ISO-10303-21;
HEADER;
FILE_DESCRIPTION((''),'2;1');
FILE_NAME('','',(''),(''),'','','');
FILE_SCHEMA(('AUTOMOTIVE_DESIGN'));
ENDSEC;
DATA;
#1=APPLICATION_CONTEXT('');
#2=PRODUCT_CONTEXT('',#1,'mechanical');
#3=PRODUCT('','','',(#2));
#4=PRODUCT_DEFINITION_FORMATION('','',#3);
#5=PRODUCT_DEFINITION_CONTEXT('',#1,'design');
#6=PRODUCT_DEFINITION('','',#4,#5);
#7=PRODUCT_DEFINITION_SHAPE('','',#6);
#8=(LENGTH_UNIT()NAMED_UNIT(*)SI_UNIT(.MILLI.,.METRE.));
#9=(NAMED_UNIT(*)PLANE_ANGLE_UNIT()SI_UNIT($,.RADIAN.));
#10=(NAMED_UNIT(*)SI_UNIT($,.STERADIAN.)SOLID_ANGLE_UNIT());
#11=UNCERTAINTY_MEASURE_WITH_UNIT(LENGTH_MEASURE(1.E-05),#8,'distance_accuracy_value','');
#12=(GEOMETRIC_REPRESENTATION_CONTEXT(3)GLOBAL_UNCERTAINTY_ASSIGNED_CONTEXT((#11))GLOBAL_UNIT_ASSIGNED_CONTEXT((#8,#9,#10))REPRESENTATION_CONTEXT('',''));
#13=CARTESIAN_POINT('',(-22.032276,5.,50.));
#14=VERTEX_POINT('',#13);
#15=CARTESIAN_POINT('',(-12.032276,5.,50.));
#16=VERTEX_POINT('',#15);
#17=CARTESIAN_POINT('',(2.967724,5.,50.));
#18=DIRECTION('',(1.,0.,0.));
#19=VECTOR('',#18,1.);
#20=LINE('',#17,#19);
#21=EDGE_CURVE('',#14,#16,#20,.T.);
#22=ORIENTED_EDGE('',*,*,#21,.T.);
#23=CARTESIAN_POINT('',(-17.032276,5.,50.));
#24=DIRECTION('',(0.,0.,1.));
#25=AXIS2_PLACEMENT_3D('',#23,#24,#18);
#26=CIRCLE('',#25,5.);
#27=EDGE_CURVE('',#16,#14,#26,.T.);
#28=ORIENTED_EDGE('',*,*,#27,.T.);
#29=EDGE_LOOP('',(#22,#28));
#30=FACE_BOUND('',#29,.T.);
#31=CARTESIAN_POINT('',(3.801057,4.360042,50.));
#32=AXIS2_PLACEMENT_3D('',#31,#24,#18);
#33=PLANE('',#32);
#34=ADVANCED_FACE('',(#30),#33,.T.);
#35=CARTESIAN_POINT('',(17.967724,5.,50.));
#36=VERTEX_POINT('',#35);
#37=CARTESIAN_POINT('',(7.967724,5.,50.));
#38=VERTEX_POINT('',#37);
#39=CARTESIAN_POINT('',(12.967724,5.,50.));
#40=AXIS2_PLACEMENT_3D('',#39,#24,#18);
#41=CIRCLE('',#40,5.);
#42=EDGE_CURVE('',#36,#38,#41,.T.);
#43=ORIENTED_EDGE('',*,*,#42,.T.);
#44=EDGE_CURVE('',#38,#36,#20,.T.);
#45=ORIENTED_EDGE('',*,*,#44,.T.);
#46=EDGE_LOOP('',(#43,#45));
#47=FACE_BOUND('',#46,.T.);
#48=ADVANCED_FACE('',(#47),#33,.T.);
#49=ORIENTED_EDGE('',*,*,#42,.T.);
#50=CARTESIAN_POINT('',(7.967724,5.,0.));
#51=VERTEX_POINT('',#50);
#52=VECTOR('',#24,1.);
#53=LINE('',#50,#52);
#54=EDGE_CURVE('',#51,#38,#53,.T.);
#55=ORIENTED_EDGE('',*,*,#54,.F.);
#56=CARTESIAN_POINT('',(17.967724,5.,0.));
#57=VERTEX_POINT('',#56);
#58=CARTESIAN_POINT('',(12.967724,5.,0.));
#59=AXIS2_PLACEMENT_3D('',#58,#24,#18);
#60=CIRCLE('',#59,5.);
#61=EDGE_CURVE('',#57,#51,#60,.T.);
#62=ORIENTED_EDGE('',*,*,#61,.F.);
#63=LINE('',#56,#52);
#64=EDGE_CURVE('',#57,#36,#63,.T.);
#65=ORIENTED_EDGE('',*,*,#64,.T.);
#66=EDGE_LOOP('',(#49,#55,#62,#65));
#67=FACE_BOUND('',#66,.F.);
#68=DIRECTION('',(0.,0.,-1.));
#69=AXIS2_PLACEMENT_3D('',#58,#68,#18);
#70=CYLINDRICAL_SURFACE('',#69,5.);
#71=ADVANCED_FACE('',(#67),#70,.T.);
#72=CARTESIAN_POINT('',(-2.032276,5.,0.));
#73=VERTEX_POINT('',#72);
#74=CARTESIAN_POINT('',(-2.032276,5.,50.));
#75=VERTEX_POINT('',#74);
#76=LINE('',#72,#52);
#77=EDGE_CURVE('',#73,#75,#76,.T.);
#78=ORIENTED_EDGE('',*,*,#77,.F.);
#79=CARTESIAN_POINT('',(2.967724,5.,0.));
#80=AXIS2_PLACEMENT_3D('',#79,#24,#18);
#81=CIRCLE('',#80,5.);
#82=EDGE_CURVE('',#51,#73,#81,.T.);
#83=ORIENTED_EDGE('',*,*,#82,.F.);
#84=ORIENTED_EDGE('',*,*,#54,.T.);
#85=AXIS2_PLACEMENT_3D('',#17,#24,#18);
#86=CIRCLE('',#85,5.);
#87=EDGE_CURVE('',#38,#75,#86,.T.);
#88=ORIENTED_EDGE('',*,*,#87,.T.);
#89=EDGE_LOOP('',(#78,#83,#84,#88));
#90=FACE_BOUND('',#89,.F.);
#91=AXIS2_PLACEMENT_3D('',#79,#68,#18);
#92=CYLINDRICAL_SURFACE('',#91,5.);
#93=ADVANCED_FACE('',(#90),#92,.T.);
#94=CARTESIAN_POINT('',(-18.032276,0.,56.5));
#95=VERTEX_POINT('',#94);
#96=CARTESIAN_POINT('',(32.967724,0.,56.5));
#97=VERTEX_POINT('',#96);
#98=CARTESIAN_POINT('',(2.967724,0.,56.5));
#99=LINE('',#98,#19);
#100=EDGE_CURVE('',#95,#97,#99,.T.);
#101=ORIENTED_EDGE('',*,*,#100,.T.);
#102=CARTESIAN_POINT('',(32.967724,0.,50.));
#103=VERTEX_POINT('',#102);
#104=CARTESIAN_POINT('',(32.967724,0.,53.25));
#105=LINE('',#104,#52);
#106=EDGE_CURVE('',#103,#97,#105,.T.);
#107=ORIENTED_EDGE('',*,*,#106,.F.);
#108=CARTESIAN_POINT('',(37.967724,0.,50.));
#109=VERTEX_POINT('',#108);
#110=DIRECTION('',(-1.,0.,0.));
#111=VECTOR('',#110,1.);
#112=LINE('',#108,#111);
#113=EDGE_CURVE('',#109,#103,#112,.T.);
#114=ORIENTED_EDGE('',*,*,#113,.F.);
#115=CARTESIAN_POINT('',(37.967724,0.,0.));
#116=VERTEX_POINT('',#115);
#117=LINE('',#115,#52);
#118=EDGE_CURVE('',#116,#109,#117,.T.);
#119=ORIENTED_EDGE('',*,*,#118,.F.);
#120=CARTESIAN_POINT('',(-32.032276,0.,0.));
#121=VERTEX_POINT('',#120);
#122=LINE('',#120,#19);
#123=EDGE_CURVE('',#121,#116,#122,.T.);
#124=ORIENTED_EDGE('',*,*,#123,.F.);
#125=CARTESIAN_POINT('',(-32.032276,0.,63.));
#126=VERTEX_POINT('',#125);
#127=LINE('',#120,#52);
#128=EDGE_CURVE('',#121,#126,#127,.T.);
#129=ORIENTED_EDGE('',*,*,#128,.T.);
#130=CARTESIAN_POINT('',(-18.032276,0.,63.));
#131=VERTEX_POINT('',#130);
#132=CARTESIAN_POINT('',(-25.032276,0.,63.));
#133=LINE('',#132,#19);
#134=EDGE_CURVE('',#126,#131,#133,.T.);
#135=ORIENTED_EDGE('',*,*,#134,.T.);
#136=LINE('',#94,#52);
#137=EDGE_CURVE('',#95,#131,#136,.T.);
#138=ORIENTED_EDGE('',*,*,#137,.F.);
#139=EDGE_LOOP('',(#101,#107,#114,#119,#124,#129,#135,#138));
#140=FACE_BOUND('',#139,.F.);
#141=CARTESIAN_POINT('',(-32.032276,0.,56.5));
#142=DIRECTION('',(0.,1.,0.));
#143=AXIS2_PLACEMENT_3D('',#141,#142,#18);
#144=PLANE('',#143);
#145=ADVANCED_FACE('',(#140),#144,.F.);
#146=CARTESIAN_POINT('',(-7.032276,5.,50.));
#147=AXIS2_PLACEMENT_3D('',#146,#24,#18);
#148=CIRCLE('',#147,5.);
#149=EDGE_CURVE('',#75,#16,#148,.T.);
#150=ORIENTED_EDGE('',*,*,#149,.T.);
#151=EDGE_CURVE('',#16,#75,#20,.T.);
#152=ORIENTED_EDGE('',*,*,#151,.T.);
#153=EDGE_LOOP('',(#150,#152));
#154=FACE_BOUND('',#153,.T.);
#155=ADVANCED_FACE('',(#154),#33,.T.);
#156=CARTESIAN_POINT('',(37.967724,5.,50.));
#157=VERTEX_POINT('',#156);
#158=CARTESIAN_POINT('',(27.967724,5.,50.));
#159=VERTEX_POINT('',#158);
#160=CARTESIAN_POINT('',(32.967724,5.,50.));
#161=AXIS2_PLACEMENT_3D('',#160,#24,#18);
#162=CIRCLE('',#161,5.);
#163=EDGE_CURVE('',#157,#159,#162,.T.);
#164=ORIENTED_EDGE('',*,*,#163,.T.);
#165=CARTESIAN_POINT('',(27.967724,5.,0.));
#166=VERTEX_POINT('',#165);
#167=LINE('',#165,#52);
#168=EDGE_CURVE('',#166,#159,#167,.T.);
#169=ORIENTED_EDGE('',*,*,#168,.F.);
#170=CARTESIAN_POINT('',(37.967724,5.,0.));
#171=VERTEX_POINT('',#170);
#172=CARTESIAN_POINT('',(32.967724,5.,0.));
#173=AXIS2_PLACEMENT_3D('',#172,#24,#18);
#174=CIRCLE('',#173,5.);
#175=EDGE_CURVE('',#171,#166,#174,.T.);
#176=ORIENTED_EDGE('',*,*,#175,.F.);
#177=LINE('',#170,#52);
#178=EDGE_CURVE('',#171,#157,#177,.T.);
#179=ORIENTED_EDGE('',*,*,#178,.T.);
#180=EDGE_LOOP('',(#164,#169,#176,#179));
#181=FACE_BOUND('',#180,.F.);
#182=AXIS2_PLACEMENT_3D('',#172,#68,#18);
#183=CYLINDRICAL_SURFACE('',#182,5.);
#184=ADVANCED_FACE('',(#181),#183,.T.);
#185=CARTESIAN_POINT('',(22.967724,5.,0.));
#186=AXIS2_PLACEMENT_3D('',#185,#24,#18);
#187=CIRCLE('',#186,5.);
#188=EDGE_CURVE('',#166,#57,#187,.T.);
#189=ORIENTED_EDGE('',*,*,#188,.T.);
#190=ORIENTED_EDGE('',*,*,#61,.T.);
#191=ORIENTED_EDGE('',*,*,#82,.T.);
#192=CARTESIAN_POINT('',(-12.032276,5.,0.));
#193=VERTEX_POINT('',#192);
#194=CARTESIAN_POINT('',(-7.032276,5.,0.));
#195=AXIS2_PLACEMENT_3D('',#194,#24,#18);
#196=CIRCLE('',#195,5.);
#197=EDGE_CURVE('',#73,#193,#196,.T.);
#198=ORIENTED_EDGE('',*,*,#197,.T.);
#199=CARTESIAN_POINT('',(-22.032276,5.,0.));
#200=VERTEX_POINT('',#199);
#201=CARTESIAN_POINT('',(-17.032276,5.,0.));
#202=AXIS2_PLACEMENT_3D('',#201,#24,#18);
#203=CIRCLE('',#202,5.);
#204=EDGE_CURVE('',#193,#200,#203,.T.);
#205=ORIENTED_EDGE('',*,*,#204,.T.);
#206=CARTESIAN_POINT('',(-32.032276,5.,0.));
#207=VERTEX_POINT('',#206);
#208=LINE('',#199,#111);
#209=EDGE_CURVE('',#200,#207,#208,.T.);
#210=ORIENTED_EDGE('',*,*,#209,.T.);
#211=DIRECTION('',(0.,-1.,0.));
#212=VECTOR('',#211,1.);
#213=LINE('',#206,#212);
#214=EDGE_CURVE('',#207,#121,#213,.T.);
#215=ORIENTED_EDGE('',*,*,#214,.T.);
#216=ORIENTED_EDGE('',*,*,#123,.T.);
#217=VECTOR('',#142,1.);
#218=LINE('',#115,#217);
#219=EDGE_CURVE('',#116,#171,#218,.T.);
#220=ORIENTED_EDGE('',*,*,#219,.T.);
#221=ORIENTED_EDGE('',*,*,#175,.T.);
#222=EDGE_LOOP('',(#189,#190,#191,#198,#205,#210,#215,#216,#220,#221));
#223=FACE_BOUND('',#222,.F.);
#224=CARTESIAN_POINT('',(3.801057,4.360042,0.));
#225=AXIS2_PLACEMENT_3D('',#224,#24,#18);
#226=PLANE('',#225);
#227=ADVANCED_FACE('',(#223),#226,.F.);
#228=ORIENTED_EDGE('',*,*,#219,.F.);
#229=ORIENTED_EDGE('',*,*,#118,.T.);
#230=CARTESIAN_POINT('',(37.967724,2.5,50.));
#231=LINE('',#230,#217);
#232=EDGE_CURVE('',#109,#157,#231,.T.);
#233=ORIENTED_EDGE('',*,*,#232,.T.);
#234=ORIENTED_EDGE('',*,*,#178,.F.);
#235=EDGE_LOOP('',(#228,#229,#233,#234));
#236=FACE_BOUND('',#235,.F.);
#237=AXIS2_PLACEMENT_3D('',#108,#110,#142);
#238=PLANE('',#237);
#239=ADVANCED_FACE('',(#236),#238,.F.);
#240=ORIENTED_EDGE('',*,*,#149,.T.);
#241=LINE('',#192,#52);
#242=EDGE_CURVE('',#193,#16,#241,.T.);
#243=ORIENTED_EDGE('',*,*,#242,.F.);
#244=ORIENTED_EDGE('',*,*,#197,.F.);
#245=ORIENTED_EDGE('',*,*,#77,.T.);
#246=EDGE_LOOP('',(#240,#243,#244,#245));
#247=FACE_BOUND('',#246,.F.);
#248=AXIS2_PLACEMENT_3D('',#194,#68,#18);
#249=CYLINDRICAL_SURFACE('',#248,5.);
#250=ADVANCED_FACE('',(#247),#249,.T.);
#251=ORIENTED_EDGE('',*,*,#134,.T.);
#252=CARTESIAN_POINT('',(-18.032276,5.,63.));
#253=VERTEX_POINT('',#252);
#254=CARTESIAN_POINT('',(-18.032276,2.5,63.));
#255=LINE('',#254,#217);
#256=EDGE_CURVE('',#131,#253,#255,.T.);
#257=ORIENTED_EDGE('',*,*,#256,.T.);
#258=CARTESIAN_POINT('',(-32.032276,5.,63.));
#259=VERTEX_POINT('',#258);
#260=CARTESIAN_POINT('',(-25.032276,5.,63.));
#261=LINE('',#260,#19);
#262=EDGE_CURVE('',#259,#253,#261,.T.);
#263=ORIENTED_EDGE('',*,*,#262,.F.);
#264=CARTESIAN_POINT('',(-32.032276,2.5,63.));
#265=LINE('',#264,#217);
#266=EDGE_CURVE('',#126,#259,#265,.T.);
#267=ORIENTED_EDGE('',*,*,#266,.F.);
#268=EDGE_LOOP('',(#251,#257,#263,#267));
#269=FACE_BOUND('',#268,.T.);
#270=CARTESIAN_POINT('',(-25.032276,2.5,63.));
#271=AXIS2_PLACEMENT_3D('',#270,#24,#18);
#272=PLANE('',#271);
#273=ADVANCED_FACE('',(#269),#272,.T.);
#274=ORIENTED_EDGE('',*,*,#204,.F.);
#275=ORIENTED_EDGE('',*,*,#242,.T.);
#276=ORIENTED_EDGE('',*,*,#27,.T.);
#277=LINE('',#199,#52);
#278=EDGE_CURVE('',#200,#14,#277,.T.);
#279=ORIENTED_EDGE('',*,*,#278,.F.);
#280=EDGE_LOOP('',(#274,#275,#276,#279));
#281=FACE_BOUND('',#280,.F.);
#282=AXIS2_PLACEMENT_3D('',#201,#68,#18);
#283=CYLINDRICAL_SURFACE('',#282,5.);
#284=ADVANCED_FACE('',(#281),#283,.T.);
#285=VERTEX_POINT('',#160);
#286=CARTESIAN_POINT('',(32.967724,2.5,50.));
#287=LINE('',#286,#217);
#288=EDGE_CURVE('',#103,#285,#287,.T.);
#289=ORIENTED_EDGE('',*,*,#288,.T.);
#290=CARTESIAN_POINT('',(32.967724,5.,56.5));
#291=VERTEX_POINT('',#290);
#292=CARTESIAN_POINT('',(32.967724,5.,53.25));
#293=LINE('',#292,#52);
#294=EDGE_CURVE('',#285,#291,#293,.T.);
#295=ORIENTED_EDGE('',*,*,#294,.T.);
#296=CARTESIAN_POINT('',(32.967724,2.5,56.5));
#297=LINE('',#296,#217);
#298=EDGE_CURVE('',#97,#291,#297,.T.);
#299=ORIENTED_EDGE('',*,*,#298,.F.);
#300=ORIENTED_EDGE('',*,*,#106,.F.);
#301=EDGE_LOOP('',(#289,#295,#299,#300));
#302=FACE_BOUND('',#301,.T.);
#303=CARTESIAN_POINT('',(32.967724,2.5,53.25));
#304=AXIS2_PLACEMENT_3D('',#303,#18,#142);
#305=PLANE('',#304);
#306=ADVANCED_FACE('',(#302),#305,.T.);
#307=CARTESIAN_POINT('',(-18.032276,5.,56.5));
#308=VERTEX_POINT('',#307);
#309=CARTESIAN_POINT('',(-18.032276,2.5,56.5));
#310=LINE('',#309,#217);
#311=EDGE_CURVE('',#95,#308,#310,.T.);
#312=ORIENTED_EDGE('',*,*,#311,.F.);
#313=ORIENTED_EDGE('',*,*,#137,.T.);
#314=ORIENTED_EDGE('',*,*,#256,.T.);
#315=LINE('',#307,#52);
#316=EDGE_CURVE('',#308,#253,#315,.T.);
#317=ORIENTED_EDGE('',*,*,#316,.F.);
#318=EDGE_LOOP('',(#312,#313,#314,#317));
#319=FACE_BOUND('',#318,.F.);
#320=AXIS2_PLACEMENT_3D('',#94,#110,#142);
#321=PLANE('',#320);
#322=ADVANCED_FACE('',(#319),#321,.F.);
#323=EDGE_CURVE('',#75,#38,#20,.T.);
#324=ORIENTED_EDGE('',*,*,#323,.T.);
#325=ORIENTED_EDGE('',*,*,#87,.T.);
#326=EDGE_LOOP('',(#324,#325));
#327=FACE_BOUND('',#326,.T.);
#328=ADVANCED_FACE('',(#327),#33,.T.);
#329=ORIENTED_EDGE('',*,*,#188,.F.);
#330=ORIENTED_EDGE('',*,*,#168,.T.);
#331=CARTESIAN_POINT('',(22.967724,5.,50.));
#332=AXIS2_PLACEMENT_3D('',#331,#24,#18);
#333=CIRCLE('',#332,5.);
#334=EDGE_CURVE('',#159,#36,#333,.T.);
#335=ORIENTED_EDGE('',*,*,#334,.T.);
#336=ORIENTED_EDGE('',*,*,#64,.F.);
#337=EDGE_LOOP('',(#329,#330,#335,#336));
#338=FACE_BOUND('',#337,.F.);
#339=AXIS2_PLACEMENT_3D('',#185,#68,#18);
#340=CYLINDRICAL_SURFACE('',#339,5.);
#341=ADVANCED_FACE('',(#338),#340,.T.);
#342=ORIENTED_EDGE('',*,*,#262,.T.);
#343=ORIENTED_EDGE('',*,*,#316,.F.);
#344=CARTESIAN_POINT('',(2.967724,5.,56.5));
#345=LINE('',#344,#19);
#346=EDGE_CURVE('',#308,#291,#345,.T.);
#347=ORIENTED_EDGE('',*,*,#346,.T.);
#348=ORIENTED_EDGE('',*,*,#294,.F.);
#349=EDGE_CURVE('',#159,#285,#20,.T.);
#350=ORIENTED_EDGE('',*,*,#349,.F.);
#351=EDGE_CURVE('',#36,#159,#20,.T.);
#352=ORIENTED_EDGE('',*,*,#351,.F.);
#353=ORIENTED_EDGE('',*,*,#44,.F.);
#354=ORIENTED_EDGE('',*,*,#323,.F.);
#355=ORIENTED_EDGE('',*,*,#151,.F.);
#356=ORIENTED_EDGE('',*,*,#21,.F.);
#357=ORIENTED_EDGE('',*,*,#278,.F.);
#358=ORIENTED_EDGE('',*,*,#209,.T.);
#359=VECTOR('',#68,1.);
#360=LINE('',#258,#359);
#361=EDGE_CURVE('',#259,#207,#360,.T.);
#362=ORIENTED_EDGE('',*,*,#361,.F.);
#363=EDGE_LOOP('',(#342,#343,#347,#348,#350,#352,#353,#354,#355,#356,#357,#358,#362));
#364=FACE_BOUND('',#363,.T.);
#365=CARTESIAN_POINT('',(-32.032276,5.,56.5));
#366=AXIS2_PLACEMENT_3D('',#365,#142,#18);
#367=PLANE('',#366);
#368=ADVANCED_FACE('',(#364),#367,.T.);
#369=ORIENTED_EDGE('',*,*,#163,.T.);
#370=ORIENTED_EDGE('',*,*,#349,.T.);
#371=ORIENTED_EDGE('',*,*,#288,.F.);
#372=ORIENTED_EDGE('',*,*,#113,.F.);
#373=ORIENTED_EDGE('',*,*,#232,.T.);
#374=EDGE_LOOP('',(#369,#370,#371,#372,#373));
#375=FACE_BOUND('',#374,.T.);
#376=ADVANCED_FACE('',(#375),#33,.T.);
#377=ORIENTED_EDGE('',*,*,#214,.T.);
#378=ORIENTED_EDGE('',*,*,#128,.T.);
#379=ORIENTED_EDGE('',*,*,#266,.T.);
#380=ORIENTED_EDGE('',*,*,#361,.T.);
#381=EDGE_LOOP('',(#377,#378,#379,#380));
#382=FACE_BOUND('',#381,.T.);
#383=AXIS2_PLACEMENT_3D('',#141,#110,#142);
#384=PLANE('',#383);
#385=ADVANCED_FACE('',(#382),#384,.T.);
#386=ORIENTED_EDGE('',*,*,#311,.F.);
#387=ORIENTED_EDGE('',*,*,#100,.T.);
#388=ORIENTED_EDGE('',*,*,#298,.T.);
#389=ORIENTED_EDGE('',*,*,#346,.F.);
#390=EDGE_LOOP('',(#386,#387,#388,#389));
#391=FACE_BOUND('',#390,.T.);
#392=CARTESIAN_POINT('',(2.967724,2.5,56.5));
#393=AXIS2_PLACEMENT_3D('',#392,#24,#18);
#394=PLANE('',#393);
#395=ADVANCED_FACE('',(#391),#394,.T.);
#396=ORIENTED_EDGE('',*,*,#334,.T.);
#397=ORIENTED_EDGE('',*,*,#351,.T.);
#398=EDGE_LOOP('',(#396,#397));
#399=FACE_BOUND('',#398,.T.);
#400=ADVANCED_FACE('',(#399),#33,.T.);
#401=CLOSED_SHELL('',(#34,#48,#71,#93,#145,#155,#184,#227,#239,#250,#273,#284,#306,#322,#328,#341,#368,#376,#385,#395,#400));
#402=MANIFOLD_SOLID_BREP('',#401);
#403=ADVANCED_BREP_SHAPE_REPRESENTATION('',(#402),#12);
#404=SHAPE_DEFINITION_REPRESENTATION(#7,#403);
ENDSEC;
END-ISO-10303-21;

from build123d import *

# Parameters (mm, degrees)
F1_DEPTH = 50
F2_W     = 70
F2_H     = 5
F3_DEPTH = 6.5
F5_W     = 5
F5_H     = 6.5
F6_DEPTH = 5
F4_W     = 14
F4_H     = 5
F7_DEPTH = 6.5


with BuildPart() as f1:
    # F0 (on Top) → F1 (new body)
    with BuildSketch(Plane.XY):
        with BuildLine():
            Line((-32.032276, 5), (-32.032276, 0))
            Line((-32.032276, 0), (37.967724, 0))
            Line((37.967724, 0), (37.967724, 5))
            ThreePointArc((37.967724, 5), (32.967724, 10), (27.967724, 5))
            ThreePointArc((27.967724, 5), (22.967724, 10), (17.967724, 5))
            ThreePointArc((17.967724, 5), (12.967724, 10), (7.967724, 5))
            ThreePointArc((7.967724, 5), (2.967724, 10), (-2.032276, 5))
            ThreePointArc((-2.032276, 5), (-7.032276, 10), (-12.032276, 5))
            ThreePointArc((-12.032276, 5), (-17.032276, 10), (-22.032276, 5))
            Line((-22.032276, 5), (-32.032276, 5))
        make_face()
    extrude(amount=F1_DEPTH)

    # F2 (on face) → F3 (join)
    with BuildSketch(Plane.XY.offset(50)):
        with Locations((2.967724, 2.5)):
            Rectangle(F2_W, F2_H)
    extrude(amount=F3_DEPTH)

    # F5 (on face) → F6 (cut)
    with BuildSketch(Plane.YZ.offset(37.967724)):
        with Locations((2.5, 53.25)):
            Rectangle(F5_W, F5_H)
    extrude(amount=-F6_DEPTH, mode=Mode.SUBTRACT)

    # F4 (on face) → F7 (join)
    with BuildSketch(Plane.XY.offset(56.5)):
        with Locations((-25.032276, 2.5)):
            Rectangle(F4_W, F4_H)
    extrude(amount=F7_DEPTH)


solid = f1.part
